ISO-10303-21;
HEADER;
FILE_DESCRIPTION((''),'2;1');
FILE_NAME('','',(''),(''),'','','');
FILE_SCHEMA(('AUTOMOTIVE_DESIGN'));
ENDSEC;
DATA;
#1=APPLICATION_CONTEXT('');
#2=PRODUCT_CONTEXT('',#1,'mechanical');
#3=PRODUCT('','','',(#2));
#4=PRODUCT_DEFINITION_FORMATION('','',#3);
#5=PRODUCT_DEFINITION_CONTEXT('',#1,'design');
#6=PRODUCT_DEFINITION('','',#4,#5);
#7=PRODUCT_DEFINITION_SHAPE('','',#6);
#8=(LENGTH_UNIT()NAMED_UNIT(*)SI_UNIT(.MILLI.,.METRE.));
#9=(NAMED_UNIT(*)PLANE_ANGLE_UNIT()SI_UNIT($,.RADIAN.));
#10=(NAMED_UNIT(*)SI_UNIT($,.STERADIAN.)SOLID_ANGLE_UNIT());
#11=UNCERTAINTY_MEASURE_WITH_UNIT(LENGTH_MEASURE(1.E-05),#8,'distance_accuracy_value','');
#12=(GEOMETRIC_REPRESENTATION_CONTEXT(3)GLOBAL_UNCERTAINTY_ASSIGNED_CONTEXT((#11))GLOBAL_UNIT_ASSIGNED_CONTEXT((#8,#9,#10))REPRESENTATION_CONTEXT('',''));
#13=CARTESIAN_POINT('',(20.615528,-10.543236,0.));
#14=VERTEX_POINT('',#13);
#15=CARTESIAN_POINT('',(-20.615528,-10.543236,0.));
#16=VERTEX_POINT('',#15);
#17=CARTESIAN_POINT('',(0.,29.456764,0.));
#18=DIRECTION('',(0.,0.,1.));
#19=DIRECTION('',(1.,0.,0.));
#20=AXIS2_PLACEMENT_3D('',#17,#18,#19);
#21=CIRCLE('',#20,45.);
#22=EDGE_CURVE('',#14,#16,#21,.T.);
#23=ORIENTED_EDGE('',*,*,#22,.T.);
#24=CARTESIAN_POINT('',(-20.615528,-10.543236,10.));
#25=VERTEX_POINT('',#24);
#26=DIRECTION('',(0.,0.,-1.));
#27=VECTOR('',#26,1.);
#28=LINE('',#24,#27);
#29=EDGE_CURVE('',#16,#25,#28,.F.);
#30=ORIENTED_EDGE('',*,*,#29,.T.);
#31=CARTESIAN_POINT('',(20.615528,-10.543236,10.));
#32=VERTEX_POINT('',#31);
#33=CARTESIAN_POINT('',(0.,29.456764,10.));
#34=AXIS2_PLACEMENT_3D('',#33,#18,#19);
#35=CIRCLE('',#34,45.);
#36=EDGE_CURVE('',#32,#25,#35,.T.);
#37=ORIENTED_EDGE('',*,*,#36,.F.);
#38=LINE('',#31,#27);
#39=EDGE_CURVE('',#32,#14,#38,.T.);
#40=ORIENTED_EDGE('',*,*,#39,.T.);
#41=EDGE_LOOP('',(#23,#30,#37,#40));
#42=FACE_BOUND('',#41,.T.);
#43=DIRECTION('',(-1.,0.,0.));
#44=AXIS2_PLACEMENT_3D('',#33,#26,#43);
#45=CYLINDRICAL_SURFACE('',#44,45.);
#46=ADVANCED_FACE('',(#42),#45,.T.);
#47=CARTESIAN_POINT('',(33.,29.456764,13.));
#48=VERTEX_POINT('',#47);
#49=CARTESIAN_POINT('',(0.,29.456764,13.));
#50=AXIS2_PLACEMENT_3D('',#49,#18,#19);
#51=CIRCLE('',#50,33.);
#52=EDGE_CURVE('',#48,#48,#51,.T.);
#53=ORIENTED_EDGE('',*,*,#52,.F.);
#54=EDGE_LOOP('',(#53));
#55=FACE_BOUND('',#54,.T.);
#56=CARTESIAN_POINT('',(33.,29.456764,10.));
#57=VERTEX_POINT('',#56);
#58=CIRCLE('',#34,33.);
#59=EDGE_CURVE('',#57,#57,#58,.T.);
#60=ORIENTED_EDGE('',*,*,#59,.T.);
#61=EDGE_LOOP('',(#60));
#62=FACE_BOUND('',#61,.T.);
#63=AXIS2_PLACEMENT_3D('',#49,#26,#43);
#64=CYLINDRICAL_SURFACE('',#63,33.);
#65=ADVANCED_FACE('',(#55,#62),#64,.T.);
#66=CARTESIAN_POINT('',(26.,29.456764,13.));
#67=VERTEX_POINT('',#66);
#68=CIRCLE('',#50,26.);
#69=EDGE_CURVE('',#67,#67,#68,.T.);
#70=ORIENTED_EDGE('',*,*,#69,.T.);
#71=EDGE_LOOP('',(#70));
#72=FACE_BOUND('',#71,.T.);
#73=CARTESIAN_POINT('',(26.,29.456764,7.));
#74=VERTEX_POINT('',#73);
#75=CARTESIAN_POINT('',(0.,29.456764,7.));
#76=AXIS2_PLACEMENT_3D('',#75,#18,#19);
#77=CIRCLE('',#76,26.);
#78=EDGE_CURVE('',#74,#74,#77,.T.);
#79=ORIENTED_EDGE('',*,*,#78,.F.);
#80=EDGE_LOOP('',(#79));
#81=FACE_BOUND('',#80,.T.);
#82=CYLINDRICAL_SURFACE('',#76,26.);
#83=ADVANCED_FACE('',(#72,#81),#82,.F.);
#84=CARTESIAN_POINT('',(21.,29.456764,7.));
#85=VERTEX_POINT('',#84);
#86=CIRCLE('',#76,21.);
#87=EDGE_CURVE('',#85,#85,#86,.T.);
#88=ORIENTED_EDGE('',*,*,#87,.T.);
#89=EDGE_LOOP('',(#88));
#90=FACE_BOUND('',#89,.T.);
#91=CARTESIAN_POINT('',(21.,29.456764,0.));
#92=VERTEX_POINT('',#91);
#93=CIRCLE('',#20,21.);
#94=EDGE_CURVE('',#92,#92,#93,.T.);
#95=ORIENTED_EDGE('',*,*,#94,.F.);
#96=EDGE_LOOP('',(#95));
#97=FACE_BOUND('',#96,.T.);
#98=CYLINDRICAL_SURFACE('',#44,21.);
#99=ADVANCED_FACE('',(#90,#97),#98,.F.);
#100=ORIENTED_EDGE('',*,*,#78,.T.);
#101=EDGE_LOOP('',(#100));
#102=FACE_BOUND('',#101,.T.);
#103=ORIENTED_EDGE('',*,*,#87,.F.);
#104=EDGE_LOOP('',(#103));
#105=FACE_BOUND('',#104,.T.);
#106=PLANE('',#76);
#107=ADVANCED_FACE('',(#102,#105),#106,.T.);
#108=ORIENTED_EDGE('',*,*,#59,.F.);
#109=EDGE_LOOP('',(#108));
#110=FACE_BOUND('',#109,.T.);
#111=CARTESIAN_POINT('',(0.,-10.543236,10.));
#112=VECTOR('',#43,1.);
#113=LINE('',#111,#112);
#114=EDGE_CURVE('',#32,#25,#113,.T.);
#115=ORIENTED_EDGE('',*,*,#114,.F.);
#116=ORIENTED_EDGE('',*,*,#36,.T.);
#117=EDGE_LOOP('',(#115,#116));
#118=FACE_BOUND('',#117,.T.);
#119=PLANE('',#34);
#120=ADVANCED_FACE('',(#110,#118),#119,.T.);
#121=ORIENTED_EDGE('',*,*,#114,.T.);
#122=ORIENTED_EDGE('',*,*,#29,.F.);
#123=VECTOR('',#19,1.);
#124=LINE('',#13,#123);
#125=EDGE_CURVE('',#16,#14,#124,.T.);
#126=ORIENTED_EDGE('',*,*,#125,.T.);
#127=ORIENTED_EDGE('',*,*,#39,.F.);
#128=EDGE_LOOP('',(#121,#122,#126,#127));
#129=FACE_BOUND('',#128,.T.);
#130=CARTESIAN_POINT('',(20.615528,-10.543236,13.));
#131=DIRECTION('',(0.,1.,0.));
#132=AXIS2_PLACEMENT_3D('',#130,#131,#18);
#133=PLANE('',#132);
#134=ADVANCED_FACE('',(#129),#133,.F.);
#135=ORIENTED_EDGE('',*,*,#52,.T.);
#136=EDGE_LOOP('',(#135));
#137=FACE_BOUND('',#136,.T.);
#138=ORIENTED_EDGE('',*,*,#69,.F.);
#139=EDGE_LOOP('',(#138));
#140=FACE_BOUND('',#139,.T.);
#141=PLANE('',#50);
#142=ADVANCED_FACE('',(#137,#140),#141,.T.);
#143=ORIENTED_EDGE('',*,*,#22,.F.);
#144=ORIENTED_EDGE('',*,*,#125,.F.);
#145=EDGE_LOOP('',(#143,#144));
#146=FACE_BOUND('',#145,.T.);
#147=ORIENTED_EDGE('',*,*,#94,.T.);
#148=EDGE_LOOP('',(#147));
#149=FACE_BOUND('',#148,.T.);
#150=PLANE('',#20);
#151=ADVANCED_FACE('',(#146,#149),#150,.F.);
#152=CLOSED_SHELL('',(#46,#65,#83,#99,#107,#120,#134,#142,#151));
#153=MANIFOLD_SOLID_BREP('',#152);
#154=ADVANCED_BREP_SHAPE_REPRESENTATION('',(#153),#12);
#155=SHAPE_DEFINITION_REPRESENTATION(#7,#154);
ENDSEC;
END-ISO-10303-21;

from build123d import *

# Parameters (mm, degrees)
SKETCH_1_R          = 45
SKETCH_1_R_2        = 21
EXTRUDE_1_DEPTH     = 10
SKETCH_2_R          = 33
SKETCH_2_R_2        = 21
EXTRUDE_2_DEPTH     = 3
CUT_EXTRUDE_1_DEPTH = 88.964820488
SKETCH_5_R          = 26
CUT_EXTRUDE_2_DEPTH = 6


with BuildPart() as part:
    # 草图1 → 凸台-拉伸1 (new body)
    with BuildSketch(Plane.XY):
        with Locations((0, 29.456763584)):
            Circle(SKETCH_1_R)
        with Locations((0, 29.456763584)):
            Circle(SKETCH_1_R_2, mode=Mode.SUBTRACT)
    extrude(amount=EXTRUDE_1_DEPTH)

    # 草图2 → 凸台-拉伸2 (add)
    with BuildSketch(Plane.XY.offset(10)):
        with Locations((0, 29.456763584)):
            Circle(SKETCH_2_R)
        with Locations((0, 29.456763584)):
            Circle(SKETCH_2_R_2, mode=Mode.SUBTRACT)
    extrude(amount=EXTRUDE_2_DEPTH)

    # 草图4 → 切除-拉伸1 (cut, through all)
    with BuildSketch(Plane(origin=(0, 0, 0), x_dir=(-1, 0, 0), z_dir=(0, 0, -1))):
        with BuildLine():
            Line((-20.615528128, -10.543236416), (20.615528128, -10.543236416))
            ThreePointArc((20.615528128, -10.543236416), (0, -15.543236416), (-20.615528128, -10.543236416))
        make_face()
    extrude(amount=-CUT_EXTRUDE_1_DEPTH, mode=Mode.SUBTRACT)

    # 草图5 → 切除-拉伸2 (cut)
    with BuildSketch(Plane.XY.offset(13)):
        with Locations((0, 29.456763584)):
            Circle(SKETCH_5_R)
    extrude(amount=-CUT_EXTRUDE_2_DEPTH, mode=Mode.SUBTRACT)


solid = part.part
